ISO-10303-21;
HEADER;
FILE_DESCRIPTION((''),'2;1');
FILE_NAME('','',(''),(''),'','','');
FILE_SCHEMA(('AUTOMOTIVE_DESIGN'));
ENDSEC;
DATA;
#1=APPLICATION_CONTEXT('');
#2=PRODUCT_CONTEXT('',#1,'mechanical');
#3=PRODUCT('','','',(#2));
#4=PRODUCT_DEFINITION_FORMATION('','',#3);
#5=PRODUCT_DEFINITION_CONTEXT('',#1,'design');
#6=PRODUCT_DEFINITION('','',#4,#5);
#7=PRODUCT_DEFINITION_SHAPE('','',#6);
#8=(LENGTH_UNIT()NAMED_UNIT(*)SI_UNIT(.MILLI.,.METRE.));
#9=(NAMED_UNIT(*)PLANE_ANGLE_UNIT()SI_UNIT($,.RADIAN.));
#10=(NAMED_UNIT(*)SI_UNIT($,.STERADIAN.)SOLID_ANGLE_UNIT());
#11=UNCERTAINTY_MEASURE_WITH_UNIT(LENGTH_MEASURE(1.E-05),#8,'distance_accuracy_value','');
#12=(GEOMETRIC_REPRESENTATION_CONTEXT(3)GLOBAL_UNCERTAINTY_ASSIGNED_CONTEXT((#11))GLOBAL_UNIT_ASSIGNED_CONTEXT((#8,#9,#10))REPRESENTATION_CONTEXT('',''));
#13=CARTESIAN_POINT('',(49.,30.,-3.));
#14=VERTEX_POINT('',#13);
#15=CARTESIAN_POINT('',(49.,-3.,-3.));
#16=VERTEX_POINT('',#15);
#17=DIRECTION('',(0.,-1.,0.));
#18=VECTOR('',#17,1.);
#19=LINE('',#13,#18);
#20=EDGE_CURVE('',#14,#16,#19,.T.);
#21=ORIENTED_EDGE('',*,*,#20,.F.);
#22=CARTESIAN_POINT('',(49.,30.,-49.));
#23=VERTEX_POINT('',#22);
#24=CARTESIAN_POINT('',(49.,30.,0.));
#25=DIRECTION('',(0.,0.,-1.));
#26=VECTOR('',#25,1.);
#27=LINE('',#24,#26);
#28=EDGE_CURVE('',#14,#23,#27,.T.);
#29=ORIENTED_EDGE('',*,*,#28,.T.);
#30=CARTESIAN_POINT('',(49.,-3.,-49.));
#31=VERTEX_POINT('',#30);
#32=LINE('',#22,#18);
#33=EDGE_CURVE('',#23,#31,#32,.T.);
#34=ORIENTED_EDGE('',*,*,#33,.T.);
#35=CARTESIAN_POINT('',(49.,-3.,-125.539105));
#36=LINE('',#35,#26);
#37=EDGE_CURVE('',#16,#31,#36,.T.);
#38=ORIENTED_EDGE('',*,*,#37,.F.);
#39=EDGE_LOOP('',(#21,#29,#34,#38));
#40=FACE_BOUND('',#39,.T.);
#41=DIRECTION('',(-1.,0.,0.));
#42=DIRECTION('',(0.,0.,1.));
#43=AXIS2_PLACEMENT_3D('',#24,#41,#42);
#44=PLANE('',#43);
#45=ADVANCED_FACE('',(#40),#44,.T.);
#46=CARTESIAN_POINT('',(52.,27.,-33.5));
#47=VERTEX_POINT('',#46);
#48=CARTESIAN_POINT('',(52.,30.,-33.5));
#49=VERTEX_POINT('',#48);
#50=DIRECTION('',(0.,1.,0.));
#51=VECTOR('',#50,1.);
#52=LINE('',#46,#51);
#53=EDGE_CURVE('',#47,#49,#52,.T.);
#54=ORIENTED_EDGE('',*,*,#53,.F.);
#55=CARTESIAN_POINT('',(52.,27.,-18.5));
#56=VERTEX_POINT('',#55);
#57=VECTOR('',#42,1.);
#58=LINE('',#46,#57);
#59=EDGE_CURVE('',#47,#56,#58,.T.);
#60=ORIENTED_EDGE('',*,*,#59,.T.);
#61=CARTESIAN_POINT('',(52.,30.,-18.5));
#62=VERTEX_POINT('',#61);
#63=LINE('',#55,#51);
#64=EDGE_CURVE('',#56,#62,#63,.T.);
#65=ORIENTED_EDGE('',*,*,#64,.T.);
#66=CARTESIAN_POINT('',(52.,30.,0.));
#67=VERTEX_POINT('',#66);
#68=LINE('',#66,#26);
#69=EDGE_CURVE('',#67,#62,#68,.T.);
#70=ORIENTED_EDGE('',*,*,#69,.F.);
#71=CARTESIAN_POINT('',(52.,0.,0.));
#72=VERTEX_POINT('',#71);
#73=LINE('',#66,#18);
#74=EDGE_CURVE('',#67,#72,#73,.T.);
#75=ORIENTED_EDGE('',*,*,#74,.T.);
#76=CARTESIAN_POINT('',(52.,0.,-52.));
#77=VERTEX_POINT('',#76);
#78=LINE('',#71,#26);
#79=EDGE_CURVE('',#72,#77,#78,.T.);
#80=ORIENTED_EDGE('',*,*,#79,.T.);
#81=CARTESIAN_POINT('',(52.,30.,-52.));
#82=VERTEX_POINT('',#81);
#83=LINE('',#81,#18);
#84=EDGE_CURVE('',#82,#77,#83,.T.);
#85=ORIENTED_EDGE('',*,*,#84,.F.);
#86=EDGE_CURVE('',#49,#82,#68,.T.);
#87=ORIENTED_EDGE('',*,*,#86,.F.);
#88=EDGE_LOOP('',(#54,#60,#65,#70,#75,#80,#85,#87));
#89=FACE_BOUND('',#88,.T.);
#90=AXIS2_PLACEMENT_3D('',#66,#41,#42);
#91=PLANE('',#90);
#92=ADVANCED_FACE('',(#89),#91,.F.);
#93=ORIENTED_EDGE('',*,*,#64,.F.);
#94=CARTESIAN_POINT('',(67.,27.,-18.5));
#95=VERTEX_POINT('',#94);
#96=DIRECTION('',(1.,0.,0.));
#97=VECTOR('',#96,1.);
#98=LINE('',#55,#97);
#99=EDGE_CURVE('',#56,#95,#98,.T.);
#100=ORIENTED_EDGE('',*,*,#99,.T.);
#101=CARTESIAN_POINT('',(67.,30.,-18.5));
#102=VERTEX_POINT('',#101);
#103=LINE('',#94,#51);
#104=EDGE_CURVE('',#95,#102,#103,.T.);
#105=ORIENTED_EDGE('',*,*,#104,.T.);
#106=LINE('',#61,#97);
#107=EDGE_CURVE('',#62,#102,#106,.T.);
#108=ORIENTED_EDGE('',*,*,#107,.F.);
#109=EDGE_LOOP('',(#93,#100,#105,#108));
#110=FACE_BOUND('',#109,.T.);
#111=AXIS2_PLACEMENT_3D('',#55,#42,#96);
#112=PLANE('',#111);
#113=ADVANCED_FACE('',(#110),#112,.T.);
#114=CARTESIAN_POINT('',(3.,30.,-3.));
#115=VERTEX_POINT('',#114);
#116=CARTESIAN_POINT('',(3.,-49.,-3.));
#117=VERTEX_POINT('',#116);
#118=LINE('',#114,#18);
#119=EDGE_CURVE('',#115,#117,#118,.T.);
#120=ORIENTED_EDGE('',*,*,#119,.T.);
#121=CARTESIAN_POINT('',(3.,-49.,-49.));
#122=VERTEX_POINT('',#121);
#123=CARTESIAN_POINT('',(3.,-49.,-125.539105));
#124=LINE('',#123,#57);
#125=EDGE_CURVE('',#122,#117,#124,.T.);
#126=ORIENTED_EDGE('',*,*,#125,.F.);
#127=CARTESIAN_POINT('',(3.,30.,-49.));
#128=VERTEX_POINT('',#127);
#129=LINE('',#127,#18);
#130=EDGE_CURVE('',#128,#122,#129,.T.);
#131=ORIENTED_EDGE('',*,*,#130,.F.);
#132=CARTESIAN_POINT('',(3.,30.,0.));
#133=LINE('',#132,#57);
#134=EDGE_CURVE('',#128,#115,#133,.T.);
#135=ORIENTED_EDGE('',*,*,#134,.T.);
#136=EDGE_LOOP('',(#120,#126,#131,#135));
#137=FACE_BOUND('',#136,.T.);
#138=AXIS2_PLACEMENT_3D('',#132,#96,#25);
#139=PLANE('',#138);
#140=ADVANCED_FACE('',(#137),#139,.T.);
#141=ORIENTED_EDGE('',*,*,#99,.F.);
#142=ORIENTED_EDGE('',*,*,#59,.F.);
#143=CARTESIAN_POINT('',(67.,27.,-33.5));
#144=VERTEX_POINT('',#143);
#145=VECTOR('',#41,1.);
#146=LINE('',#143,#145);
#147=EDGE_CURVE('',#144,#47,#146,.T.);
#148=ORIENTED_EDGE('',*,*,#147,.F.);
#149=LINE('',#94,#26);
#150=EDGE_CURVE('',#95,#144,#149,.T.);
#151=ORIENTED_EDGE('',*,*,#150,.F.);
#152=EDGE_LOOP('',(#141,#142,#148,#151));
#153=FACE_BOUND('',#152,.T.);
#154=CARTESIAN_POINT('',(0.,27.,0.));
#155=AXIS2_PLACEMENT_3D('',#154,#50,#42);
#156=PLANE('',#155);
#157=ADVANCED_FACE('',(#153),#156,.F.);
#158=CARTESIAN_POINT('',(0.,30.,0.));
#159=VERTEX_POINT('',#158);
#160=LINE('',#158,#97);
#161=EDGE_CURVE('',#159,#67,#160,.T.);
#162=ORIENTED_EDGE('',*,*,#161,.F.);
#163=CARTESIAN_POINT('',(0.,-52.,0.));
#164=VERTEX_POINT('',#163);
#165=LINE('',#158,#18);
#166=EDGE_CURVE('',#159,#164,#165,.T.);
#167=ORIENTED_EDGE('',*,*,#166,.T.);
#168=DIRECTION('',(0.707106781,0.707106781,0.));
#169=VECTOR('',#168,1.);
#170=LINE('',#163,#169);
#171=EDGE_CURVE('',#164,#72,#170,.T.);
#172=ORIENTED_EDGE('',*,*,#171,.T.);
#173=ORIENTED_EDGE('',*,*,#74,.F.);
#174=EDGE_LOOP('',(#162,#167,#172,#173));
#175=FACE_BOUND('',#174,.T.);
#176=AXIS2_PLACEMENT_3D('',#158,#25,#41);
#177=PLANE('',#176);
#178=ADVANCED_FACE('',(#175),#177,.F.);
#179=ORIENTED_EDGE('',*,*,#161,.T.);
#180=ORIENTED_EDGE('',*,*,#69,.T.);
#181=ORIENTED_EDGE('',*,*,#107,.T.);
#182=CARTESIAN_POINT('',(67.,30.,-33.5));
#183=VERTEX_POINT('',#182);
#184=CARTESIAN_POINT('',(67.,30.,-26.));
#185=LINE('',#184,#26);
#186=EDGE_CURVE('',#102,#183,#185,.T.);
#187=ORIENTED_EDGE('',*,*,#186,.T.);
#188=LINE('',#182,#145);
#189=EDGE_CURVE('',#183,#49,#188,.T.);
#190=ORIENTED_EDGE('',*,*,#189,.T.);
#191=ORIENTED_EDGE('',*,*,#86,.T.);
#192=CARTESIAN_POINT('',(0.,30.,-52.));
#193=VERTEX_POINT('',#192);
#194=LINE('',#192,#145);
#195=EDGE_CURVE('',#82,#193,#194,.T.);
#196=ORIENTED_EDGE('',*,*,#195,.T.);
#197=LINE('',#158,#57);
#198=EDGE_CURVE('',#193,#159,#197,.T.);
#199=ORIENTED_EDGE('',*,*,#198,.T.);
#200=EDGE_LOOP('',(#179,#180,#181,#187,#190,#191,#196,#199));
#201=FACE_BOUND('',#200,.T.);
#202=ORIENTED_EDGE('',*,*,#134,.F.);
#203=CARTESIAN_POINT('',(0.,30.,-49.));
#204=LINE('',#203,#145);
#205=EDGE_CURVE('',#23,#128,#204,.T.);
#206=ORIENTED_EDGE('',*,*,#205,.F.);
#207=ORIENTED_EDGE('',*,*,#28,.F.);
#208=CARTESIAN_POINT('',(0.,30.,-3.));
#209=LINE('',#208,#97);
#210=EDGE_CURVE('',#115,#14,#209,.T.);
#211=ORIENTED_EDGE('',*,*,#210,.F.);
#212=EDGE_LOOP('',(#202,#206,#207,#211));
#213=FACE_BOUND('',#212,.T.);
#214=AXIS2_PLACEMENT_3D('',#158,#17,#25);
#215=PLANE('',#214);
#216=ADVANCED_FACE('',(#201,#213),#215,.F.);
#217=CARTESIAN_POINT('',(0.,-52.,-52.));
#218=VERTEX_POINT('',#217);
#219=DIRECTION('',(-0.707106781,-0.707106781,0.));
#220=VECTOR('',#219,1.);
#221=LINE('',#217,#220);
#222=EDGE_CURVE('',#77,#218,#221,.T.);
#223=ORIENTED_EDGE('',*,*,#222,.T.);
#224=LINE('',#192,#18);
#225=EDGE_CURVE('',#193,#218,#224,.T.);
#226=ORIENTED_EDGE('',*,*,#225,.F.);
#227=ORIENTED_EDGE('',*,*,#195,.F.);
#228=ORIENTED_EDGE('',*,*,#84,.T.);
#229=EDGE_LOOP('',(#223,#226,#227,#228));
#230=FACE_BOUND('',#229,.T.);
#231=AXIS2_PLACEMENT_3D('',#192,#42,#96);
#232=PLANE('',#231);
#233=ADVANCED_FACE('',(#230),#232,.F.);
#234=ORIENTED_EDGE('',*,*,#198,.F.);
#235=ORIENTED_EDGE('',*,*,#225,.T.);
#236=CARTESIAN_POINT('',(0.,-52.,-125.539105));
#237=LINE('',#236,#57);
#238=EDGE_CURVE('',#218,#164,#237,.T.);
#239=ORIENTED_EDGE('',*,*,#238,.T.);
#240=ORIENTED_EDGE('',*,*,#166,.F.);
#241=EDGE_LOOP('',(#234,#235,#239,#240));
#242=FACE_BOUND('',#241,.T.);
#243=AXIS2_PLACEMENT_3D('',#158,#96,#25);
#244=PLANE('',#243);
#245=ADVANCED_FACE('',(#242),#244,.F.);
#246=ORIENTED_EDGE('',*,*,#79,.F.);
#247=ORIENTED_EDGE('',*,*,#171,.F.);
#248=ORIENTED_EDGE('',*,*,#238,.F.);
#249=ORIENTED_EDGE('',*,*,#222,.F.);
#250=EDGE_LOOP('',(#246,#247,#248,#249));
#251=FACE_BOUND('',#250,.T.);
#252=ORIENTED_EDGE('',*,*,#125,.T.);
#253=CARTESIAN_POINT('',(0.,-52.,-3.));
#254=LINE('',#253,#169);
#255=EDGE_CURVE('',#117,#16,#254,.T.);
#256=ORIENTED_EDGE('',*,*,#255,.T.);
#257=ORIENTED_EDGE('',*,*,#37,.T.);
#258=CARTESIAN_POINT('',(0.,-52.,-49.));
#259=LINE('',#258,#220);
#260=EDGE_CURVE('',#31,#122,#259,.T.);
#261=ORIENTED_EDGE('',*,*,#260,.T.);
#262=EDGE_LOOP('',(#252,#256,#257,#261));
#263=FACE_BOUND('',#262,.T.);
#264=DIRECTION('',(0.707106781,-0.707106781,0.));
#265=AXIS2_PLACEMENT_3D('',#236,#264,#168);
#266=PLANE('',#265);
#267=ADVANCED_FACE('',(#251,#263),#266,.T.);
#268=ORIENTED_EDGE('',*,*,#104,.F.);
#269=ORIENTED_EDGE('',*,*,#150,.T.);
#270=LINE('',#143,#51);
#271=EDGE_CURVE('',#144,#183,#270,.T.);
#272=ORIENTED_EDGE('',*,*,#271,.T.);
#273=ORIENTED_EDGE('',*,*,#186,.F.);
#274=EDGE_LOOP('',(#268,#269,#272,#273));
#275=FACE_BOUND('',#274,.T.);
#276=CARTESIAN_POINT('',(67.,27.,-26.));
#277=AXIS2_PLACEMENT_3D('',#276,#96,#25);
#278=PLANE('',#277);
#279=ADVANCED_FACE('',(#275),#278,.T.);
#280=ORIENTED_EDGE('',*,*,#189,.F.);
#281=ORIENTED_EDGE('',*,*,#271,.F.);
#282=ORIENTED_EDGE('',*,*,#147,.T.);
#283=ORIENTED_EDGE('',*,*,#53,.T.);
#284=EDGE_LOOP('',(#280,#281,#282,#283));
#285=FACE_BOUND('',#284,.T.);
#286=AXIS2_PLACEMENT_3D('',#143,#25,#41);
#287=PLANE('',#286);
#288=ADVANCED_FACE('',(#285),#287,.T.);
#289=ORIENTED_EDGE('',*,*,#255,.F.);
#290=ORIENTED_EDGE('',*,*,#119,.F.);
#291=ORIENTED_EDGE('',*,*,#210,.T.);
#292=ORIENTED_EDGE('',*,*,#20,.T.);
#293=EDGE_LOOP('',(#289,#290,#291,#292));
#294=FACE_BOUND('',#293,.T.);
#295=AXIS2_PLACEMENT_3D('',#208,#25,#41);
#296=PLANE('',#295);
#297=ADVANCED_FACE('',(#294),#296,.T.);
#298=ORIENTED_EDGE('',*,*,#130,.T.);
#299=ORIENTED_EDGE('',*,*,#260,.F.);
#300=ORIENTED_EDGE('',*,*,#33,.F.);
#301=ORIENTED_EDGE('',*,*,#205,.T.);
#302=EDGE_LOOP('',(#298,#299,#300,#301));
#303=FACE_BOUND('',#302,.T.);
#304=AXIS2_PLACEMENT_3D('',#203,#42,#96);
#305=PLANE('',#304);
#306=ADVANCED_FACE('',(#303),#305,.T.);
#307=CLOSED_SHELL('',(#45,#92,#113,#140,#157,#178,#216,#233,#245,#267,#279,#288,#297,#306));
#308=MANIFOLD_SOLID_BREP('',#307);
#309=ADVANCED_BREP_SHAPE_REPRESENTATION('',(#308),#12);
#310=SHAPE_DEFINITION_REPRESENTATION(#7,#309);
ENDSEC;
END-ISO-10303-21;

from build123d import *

# Parameters (mm, degrees)
CROQUIS1_W              = 52
CROQUIS1_H              = 52
SALIENTE_EXTRUIR1_DEPTH = 30
SALIENTE_EXTRUIR2_DEPTH = 52
VACIADO4_T              = -3
SALIENTE_EXTRUIR3_DEPTH = 3


with BuildPart() as part:
    # Croquis1 → Saliente-Extruir1 (new body)
    with BuildSketch(Plane(origin=(0, 0, 0), x_dir=(1, 0, 0), z_dir=(0, 1, 0))):
        with Locations((26, 26)):
            Rectangle(CROQUIS1_W, CROQUIS1_H)
    extrude(amount=SALIENTE_EXTRUIR1_DEPTH)

    # Croquis2 → Saliente-Extruir2 (add)
    with BuildSketch(Plane.XY):
        Polygon((0, 0), (0, -52), (52, 0), align=None)
    extrude(amount=-SALIENTE_EXTRUIR2_DEPTH)

    # Vaciado4
    vaciado4_openings = [part.faces().sort_by_distance(p)[0] for p in [
        (26, 30, -26),
        (26, -26, -26),
    ]]
    offset(amount=VACIADO4_T, openings=vaciado4_openings, kind=Kind.INTERSECTION)

    # Croquis3 → Saliente-Extruir3 (add)
    with BuildSketch(Plane(origin=(0, 30, 0), x_dir=(1, 0, 0), z_dir=(0, 1, 0))):
        Polygon((52, 18.5), (67, 18.5), (67, 26), (67, 33.5), (52, 33.5), align=None)
    extrude(amount=-SALIENTE_EXTRUIR3_DEPTH)


solid = part.part
